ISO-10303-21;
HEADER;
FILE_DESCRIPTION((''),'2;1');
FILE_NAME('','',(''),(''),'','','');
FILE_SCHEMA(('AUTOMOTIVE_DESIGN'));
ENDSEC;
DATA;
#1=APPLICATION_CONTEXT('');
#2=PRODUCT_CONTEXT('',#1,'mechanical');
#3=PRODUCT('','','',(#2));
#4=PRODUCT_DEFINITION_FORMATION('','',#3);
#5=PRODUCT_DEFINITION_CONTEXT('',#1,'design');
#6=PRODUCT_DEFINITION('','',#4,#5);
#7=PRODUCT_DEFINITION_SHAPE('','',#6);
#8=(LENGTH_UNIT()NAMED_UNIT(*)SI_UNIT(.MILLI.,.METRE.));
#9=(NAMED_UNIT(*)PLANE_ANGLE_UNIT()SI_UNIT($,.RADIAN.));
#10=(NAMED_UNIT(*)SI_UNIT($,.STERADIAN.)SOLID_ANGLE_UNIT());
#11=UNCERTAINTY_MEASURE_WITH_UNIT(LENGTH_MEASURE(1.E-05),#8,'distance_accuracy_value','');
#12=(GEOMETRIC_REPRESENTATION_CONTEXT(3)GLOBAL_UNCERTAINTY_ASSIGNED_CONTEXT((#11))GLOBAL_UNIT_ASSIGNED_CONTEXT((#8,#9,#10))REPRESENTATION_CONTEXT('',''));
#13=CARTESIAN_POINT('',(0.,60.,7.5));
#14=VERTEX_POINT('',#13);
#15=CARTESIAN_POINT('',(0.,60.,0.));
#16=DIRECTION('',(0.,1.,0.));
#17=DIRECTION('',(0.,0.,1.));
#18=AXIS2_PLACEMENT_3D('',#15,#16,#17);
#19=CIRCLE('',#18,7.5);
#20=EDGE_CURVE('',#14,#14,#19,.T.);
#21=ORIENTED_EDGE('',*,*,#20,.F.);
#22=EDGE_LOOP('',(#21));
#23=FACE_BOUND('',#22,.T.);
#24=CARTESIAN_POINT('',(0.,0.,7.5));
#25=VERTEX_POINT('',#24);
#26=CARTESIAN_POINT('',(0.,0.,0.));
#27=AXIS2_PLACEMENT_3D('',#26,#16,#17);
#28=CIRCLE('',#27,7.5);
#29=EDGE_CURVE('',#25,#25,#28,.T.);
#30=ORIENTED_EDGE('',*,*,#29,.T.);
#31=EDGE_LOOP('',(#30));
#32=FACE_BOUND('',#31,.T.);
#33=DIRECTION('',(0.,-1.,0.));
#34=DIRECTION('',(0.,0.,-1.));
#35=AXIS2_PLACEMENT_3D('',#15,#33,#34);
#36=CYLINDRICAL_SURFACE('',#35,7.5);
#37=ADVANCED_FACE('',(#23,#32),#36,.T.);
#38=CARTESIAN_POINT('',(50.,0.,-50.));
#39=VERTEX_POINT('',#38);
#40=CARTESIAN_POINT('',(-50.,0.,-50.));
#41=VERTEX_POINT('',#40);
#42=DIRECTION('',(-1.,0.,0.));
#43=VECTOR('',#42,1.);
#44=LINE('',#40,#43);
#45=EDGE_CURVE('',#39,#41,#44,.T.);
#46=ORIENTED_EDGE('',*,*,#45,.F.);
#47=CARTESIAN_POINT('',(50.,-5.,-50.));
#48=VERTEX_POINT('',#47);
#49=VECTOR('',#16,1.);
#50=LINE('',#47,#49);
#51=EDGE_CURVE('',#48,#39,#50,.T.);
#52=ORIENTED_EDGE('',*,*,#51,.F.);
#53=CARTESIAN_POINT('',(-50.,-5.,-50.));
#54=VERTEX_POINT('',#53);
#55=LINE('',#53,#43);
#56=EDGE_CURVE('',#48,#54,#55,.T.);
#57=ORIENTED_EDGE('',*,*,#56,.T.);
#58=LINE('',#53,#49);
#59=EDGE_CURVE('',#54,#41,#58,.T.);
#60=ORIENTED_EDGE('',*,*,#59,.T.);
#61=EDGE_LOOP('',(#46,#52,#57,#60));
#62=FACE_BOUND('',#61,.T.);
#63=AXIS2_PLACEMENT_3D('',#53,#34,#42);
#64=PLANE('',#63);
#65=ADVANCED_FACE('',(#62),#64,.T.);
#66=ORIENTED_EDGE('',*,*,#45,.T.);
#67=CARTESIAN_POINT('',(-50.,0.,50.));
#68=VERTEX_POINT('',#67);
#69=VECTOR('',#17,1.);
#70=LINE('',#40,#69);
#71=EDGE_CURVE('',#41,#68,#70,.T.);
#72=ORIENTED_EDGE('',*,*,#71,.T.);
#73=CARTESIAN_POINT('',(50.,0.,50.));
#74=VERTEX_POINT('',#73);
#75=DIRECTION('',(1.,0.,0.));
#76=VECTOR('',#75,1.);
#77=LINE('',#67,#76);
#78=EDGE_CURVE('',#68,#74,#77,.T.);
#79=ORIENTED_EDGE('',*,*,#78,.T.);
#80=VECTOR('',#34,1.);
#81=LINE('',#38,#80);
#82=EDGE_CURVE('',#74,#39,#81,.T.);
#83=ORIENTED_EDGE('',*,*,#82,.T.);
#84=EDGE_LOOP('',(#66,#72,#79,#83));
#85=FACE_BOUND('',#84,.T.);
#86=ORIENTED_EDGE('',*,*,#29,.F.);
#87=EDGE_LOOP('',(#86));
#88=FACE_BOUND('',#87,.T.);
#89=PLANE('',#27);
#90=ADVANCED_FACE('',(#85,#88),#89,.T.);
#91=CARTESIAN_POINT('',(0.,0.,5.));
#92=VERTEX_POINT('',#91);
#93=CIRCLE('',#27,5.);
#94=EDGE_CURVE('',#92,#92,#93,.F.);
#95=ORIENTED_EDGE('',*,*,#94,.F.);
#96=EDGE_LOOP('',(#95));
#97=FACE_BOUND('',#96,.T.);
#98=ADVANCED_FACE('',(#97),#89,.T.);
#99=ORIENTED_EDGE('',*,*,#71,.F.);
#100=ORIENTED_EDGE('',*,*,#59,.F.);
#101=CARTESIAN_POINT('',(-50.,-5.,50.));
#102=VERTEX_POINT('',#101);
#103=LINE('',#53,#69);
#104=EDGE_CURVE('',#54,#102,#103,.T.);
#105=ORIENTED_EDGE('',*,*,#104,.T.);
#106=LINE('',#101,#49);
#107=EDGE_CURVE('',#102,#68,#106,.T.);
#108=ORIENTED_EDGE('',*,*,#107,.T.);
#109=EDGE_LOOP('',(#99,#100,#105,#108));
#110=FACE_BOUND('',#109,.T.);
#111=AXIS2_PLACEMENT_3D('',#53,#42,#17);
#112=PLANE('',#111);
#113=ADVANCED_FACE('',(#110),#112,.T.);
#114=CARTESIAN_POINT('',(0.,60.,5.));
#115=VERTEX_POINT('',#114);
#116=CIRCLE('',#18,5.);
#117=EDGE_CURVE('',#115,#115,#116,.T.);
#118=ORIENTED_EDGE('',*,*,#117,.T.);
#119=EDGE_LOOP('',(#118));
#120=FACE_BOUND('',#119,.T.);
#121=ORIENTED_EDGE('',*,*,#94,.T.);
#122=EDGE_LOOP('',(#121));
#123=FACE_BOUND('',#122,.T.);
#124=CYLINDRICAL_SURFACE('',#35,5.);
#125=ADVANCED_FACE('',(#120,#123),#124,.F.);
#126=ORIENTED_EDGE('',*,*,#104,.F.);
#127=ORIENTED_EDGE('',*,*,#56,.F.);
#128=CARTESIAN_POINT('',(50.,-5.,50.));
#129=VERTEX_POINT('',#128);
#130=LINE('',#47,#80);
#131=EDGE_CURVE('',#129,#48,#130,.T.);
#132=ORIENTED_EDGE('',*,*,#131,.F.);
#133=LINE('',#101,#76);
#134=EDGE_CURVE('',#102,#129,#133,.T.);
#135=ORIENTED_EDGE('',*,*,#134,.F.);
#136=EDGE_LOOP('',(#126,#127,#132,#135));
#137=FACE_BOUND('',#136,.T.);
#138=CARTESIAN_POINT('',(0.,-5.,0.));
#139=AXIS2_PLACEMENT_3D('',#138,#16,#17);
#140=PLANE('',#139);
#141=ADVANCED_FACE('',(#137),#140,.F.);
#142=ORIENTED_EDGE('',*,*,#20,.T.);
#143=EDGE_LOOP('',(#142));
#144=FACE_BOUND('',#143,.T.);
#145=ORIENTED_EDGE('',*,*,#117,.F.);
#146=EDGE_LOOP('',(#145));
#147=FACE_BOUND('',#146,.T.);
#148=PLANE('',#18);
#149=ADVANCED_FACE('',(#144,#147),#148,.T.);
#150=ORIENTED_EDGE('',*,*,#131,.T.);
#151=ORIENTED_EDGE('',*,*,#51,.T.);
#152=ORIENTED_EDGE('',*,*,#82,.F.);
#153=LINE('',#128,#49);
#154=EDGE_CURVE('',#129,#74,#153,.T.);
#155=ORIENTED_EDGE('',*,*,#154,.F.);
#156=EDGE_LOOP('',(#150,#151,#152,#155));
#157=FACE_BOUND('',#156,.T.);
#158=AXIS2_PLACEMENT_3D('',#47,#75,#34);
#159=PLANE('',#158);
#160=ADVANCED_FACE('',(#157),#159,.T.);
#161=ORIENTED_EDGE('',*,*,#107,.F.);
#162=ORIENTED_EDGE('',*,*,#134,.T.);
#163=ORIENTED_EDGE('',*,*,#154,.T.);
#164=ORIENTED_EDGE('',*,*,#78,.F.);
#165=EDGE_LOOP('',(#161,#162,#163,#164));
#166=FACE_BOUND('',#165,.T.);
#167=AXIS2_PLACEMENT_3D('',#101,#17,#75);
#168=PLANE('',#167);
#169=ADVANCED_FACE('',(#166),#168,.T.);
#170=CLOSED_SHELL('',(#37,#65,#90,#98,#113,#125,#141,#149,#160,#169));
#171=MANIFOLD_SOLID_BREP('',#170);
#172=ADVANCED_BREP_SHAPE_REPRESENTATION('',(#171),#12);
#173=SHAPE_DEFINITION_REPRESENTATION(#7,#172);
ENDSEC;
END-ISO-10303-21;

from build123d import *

# Parameters (mm, degrees)
ESBO_O1_W                = 100
ESBO_O1_H                = 100
RESSALTO_EXTRUS_O1_DEPTH = 5
ESBO_O2_R                = 7.5
ESBO_O2_R_2              = 5
RESSALTO_EXTRUS_O2_DEPTH = 60


with BuildPart() as part:
    # Esboço1 → Ressalto-extrusão1 (new body)
    with BuildSketch(Plane(origin=(0, 0, 0), x_dir=(1, 0, 0), z_dir=(0, 1, 0))):
        Rectangle(ESBO_O1_W, ESBO_O1_H)
    extrude(amount=-RESSALTO_EXTRUS_O1_DEPTH)

    # Esboço2 → Ressalto-extrusão2 (add)
    with BuildSketch(Plane(origin=(0, 0, 0), x_dir=(1, 0, 0), z_dir=(0, 1, 0))):
        with Locations(Location((0, 0, 0), (0, 0, 270))):
            Circle(ESBO_O2_R)
        with Locations(Location((0, 0, 0), (0, 0, 270))):
            Circle(ESBO_O2_R_2, mode=Mode.SUBTRACT)
    extrude(amount=RESSALTO_EXTRUS_O2_DEPTH)


solid = part.part
